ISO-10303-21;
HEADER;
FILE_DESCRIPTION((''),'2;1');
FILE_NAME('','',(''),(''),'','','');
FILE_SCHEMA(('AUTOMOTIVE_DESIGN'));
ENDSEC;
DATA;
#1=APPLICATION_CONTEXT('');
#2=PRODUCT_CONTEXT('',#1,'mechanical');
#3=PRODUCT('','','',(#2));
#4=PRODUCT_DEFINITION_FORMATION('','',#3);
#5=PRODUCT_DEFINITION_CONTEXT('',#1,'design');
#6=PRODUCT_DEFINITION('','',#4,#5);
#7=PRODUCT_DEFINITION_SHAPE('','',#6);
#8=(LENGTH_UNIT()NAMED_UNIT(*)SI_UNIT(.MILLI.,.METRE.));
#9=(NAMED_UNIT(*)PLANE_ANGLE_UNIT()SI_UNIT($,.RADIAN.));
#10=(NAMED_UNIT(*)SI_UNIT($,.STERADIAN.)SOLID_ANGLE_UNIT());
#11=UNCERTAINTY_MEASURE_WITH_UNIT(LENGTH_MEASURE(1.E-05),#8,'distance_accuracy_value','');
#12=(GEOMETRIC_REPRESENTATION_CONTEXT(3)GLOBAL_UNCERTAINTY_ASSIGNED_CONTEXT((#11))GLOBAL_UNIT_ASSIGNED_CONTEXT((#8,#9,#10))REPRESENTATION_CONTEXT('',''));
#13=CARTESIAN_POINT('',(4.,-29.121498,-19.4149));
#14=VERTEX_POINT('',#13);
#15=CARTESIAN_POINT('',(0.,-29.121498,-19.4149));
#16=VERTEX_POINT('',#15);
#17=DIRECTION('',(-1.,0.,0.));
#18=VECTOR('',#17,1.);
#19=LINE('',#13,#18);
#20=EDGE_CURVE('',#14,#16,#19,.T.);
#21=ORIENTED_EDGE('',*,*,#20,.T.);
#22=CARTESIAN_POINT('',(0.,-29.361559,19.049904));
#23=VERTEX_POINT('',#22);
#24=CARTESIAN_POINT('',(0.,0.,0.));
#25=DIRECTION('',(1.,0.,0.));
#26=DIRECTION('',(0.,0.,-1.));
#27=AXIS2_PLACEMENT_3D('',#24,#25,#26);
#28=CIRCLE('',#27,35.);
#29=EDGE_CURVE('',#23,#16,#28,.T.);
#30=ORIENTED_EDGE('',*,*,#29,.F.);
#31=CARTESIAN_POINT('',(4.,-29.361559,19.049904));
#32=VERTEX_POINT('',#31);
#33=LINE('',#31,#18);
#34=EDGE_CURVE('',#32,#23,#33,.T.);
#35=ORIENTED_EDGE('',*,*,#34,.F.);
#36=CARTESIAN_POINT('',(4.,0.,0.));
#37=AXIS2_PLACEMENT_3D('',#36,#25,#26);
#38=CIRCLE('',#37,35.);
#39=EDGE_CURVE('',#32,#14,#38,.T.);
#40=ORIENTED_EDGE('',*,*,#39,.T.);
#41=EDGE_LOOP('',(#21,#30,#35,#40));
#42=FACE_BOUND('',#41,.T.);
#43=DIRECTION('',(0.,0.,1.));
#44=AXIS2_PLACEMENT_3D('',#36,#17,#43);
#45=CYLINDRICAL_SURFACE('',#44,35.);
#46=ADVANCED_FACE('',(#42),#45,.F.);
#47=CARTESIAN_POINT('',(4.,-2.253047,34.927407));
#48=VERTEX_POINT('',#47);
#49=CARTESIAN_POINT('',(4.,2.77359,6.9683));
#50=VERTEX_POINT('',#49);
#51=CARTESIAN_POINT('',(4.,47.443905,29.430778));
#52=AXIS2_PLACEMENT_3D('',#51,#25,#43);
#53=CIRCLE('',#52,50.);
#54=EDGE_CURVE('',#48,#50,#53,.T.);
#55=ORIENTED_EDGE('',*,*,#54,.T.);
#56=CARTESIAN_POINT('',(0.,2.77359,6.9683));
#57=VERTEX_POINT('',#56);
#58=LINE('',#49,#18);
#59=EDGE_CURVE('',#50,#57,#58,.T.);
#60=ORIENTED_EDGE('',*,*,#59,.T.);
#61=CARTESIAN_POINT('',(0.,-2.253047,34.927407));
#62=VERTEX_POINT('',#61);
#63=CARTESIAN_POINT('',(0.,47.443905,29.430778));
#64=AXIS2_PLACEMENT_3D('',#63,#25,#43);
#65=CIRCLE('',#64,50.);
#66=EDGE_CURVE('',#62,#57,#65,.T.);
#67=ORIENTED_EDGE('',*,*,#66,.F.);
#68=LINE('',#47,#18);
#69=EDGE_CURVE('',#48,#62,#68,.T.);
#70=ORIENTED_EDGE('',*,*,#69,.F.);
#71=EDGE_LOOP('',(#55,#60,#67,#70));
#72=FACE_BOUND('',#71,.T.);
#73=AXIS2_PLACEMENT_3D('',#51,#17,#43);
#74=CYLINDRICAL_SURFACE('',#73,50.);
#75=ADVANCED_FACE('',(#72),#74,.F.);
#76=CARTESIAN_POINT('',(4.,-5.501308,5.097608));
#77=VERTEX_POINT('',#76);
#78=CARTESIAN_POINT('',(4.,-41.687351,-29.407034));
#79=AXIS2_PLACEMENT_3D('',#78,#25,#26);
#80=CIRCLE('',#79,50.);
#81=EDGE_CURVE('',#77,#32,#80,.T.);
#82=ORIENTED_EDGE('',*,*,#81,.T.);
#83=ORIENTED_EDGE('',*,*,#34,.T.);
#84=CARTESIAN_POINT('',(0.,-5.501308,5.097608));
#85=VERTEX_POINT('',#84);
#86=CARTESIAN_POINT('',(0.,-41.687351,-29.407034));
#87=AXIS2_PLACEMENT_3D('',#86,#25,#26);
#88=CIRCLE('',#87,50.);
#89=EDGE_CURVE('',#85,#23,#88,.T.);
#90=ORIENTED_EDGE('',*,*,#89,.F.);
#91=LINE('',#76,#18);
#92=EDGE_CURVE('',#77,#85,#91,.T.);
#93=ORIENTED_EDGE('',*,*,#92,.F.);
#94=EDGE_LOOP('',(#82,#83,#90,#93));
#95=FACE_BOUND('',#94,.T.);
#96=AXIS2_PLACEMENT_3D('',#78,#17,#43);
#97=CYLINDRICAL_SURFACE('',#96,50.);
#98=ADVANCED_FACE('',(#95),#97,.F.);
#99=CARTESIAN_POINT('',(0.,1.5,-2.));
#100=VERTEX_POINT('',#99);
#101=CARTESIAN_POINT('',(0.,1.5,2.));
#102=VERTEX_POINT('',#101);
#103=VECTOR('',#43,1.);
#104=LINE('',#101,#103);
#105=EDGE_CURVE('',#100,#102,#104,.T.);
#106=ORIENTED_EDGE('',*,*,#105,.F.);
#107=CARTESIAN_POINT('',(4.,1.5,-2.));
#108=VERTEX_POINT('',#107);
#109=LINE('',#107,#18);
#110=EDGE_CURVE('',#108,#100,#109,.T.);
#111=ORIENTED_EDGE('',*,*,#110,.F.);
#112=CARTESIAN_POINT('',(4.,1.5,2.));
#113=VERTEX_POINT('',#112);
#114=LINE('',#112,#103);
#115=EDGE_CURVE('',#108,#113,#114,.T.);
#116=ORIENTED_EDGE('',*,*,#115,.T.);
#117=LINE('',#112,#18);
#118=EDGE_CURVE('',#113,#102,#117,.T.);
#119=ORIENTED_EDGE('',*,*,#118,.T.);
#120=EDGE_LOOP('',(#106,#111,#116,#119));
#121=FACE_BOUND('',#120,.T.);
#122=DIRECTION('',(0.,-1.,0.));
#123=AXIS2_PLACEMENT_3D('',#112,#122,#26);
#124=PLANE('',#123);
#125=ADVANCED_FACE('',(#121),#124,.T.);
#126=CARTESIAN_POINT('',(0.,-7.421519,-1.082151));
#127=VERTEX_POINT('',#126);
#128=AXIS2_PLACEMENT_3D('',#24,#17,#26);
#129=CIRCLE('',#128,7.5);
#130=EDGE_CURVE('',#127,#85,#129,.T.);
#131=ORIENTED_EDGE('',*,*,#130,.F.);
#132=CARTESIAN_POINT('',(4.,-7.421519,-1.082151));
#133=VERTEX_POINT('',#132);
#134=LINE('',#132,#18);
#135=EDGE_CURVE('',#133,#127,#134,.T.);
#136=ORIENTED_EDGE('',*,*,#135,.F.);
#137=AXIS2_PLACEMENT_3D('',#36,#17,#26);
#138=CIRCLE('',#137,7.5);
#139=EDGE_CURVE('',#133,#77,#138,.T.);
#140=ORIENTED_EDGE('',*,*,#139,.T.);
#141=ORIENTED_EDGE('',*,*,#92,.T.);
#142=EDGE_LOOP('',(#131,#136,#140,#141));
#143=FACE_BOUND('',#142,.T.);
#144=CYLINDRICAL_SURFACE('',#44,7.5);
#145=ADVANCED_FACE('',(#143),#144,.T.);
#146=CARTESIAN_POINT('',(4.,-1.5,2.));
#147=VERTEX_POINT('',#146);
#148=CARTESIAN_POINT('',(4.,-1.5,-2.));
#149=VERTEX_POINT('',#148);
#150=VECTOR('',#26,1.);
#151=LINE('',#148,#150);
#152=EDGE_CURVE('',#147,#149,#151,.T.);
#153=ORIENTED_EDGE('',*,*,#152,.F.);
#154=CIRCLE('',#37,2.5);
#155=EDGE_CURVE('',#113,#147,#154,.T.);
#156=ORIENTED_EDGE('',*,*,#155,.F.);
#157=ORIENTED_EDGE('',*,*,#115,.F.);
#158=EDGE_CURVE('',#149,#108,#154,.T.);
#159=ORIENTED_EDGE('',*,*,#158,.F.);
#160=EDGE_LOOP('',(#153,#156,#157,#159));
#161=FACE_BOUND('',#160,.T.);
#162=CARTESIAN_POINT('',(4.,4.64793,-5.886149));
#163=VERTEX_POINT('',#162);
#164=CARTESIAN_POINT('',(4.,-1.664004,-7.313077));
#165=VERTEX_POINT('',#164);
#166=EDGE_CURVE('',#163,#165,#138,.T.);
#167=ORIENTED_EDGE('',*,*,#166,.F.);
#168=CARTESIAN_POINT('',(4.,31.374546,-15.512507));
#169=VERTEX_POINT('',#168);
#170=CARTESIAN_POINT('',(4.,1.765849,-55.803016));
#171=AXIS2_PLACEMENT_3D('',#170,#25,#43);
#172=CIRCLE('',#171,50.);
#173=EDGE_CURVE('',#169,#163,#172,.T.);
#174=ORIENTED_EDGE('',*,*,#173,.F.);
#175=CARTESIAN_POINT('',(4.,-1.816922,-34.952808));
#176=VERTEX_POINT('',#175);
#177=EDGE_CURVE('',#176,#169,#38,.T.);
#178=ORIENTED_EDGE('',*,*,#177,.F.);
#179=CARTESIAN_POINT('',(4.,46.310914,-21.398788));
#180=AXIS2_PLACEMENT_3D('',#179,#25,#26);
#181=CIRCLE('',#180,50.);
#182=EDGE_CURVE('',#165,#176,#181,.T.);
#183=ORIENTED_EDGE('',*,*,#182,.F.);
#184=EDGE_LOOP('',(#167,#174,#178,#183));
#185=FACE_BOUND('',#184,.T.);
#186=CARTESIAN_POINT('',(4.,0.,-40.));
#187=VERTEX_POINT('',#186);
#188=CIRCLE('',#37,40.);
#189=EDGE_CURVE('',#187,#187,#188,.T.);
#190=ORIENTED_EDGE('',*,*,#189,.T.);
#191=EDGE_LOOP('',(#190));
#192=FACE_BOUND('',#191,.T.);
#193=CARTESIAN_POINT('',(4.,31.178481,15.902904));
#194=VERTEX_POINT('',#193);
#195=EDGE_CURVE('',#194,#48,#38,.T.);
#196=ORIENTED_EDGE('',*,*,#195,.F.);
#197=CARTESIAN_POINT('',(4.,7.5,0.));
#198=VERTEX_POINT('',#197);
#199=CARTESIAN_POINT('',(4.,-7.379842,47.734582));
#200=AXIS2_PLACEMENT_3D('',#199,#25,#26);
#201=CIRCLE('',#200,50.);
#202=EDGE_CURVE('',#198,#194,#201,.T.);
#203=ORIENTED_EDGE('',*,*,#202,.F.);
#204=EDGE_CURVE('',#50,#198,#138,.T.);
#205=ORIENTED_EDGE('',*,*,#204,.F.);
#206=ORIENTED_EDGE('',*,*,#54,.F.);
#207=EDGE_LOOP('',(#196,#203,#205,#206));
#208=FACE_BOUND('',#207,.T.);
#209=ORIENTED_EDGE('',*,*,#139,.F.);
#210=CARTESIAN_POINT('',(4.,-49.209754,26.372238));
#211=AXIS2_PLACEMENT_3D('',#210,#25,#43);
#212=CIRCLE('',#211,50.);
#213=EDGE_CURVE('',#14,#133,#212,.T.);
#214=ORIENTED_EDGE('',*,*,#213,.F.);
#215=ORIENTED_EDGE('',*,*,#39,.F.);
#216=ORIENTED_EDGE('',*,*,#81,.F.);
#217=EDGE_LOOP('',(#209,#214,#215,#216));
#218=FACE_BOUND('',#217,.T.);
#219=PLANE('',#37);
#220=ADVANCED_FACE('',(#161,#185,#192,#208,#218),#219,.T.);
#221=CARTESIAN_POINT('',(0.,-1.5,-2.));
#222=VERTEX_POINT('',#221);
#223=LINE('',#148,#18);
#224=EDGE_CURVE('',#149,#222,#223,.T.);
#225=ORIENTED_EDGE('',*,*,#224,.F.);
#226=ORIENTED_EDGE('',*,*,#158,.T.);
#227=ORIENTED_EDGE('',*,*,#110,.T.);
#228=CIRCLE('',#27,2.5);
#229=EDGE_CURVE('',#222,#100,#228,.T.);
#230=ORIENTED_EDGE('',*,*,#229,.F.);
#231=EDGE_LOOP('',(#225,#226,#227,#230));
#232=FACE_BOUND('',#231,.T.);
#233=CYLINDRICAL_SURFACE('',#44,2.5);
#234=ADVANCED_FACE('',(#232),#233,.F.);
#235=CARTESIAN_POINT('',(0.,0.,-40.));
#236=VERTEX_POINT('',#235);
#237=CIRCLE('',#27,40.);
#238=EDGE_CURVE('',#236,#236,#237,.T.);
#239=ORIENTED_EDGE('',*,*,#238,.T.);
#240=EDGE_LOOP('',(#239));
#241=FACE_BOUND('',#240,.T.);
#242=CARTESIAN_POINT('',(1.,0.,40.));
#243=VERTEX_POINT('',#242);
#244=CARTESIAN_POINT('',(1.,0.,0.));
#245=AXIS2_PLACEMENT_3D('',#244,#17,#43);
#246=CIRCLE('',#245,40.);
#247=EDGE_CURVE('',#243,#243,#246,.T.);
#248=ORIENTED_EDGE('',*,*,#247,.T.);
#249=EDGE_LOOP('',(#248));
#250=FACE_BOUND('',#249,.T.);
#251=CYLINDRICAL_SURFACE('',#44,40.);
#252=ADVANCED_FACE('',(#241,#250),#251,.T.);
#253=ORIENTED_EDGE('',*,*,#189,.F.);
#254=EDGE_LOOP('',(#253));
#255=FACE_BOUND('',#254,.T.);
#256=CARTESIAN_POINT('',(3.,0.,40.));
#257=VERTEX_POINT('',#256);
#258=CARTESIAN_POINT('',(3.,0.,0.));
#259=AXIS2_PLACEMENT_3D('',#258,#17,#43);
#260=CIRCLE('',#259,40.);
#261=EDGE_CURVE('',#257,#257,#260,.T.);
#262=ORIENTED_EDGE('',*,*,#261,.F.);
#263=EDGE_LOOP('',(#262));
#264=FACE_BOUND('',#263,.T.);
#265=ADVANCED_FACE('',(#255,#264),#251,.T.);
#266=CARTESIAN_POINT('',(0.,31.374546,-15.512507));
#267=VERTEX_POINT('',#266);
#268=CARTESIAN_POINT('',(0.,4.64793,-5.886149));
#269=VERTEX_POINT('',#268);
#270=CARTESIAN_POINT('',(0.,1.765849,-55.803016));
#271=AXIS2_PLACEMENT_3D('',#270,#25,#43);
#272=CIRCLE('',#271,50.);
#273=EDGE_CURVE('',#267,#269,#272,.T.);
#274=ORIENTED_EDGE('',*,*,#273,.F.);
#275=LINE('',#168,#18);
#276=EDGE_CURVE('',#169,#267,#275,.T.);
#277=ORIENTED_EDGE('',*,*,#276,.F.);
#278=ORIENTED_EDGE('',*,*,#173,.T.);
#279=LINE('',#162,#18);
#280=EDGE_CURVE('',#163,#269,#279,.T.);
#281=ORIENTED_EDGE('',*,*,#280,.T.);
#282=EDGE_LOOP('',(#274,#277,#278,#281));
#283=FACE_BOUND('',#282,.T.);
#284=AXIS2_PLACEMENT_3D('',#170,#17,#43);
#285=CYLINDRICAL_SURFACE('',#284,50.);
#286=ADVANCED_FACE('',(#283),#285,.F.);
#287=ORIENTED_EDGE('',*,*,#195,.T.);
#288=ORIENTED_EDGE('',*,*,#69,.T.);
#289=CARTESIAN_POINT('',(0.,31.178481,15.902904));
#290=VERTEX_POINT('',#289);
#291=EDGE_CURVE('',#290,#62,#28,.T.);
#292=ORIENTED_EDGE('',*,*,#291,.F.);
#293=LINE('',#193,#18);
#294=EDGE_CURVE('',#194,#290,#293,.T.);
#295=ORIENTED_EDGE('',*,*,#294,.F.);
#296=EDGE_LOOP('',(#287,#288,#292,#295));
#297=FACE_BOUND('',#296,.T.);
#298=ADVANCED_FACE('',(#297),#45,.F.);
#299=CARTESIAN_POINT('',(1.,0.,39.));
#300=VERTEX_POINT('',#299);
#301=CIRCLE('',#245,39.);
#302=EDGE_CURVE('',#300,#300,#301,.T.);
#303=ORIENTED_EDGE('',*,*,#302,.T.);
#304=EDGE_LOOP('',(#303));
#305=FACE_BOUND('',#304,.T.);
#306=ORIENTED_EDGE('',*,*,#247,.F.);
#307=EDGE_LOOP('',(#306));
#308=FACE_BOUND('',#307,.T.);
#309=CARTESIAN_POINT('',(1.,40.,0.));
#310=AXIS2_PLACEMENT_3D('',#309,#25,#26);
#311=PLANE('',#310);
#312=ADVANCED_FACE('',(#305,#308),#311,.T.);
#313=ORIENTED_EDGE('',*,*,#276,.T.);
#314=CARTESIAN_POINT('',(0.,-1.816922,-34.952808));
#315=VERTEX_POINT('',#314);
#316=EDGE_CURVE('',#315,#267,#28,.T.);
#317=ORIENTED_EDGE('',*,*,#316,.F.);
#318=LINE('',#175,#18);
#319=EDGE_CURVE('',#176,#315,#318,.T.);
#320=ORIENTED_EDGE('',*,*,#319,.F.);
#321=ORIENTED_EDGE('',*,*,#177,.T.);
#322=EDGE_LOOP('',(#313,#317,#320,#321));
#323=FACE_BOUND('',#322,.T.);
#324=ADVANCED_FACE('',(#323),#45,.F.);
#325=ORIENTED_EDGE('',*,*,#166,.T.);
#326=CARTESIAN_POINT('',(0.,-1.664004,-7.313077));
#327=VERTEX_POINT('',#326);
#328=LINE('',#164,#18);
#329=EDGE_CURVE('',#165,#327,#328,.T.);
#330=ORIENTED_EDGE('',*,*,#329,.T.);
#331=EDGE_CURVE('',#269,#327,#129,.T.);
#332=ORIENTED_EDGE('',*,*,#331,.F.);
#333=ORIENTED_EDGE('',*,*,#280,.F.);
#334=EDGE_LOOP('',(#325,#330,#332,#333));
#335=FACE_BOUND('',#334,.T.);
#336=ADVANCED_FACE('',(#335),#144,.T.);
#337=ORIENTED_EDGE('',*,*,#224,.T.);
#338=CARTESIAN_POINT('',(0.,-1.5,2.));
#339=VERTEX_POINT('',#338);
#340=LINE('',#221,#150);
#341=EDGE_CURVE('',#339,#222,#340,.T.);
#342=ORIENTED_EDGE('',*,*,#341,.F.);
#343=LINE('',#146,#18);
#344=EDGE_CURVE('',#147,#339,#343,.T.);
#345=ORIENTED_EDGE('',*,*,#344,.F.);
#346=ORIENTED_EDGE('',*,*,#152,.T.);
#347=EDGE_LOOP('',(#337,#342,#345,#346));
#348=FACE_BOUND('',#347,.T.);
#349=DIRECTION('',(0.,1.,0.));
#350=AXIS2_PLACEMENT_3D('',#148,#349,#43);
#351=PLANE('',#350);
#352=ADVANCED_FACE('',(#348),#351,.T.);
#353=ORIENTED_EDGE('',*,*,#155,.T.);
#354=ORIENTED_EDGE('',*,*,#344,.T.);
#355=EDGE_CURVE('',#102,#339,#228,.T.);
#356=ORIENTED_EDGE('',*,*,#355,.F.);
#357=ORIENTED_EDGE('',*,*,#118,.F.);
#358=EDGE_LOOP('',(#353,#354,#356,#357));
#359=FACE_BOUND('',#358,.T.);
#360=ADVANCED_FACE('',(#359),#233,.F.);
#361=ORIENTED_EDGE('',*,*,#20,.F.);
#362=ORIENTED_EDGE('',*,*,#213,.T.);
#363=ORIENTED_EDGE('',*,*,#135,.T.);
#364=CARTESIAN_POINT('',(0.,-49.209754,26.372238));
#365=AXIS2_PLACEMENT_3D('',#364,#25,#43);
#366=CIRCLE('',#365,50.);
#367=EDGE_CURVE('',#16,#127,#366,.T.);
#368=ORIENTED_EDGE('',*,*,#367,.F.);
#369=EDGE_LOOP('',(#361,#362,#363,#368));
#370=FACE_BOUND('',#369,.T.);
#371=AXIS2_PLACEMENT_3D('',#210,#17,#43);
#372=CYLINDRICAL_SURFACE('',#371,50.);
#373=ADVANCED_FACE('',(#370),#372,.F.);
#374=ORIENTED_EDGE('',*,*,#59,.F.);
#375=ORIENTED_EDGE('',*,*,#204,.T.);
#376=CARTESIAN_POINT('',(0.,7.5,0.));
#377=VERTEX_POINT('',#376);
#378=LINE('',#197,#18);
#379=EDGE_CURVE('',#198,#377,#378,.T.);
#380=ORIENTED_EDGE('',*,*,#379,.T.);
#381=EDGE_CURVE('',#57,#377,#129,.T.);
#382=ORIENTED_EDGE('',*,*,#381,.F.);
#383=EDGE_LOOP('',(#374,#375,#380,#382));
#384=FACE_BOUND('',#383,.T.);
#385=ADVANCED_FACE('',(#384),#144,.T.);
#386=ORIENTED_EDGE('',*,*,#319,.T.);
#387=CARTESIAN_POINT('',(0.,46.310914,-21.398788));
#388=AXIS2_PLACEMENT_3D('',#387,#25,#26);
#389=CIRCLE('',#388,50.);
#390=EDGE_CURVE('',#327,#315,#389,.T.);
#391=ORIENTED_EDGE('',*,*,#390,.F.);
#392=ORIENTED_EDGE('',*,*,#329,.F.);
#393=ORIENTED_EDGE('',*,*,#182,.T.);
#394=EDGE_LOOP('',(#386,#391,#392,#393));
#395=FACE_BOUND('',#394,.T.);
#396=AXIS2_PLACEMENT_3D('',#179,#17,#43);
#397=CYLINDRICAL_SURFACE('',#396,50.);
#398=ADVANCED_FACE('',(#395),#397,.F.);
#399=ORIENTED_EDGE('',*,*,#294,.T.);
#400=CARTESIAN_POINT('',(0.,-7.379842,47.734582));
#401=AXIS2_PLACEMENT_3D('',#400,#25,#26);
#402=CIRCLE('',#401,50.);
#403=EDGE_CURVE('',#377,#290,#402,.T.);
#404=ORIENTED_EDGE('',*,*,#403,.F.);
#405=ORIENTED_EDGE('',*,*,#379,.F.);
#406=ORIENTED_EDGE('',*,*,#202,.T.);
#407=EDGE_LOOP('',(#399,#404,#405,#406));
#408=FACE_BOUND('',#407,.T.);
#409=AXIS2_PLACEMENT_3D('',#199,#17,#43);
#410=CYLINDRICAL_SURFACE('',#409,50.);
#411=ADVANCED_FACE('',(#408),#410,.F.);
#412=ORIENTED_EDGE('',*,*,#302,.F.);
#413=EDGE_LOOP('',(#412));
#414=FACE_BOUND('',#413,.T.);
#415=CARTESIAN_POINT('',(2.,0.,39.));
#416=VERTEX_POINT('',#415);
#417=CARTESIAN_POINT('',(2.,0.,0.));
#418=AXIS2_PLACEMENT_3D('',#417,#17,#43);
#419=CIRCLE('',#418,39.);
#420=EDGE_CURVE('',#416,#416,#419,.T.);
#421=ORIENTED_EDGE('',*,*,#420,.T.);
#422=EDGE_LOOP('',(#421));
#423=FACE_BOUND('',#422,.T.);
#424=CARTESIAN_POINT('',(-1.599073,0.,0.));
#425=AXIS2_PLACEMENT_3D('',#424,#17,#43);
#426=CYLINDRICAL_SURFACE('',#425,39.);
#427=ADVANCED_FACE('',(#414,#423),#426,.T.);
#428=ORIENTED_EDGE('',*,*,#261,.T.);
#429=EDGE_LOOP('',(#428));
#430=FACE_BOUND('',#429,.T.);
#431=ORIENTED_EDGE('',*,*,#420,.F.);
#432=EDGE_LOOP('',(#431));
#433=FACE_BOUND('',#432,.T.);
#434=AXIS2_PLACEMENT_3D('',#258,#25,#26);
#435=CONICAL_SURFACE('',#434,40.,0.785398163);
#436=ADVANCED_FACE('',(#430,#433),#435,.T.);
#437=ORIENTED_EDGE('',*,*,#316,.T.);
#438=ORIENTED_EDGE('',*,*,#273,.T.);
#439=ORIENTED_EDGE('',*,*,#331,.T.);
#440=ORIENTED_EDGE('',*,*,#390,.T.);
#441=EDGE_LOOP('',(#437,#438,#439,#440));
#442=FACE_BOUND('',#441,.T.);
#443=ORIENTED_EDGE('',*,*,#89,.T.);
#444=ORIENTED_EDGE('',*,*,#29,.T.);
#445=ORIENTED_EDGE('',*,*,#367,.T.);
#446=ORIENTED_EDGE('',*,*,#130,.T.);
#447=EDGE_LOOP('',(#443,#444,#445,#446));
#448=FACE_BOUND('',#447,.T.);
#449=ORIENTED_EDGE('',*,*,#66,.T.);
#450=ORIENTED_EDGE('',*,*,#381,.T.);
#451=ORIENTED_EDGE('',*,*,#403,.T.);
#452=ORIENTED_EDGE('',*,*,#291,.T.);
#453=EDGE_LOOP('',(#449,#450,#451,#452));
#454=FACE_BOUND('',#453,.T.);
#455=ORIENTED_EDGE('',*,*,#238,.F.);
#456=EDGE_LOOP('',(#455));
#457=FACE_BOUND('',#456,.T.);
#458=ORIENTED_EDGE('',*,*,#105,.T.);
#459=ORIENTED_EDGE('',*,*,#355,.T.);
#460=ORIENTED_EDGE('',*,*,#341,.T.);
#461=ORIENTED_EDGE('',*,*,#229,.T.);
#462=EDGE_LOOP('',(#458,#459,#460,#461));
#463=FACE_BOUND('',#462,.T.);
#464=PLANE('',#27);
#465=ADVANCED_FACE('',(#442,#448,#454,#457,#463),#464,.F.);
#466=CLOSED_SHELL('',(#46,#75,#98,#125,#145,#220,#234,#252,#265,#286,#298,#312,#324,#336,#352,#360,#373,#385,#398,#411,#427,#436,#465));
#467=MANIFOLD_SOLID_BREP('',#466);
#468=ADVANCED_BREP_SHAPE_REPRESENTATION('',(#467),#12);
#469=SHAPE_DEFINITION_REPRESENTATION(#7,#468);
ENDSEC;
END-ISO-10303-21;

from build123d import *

# Parameters (mm, degrees)
SKETCH2_R           = 40
BOSS_EXTRUDE1_DEPTH = 4
SKETCH3_W           = 2
SKETCH3_H           = 1


with BuildPart() as part:
    # Sketch2 → Boss-Extrude1 (new body)
    with BuildSketch(Plane(origin=(0, 0, 0), x_dir=(0, 0, -1), z_dir=(1, 0, 0))):
        Circle(SKETCH2_R)
        with BuildLine():
            Line((-2, 1.5), (2, 1.5))
            ThreePointArc((2, 1.5), (2.5, 0), (2, -1.5))
            Line((2, -1.5), (-2, -1.5))
            ThreePointArc((-2, -1.5), (-2.5, 0), (-2, 1.5))
        make_face(mode=Mode.SUBTRACT)
        with BuildLine():
            ThreePointArc((-15.90290373, 31.178480607), (-30.419515024, 17.310491203), (-34.927407255, -2.253047362))
            ThreePointArc((-34.927407255, -2.253047362), (-20.583361548, -1.767102241), (-6.968299733, 2.77358952))
            ThreePointArc((-6.968299733, 2.77358952), (-4.209992791, 6.206928443), (0, 7.5))
            ThreePointArc((0, 7.5), (-6.227172355, 20.497298183), (-15.90290373, 31.178480607))
        make_face(mode=Mode.SUBTRACT)
        with BuildLine():
            ThreePointArc((5.886148851, 4.64792983), (8.761325342, 18.709265117), (15.512507376, 31.374545653))
            ThreePointArc((15.512507376, 31.374545653), (30.201082646, 17.68882718), (34.952808122, -1.81692168))
            ThreePointArc((34.952808122, -1.81692168), (21.122165812, -3.688321149), (7.313076649, -1.664004186))
            ThreePointArc((7.313076649, -1.664004186), (7.315395834, 1.653778642), (5.886148851, 4.64792983))
        make_face(mode=Mode.SUBTRACT)
        with BuildLine():
            ThreePointArc((1.082150882, -7.42151935), (11.822036206, -16.942162875), (19.414899879, -29.12149829))
            ThreePointArc((19.414899879, -29.12149829), (0.218432378, -34.999318383), (-19.049904392, -29.361558927))
            ThreePointArc((-19.049904392, -29.361558927), (-13.755262718, -16.448171602), (-5.097608221, -5.501308065))
            ThreePointArc((-5.097608221, -5.501308065), (-2.2254836, -7.162207952), (1.082150882, -7.42151935))
        make_face(mode=Mode.SUBTRACT)
    extrude(amount=BOSS_EXTRUDE1_DEPTH)

    # Sketch3 → Cut-Revolve1 (revolve, cut)
    with BuildSketch(Plane.XY):
        with Locations((2, 39.5)):
            Rectangle(SKETCH3_W, SKETCH3_H)
    revolve(axis=Axis((-1.599073018, 0, 0), (1, 0, 0)), mode=Mode.SUBTRACT)

    # Sketch4 → Revolve1 (revolve)
    with BuildSketch(Plane.XY):
        Polygon((3, 40), (2, 39), (3, 39), align=None)
    revolve(axis=Axis((0, 0, 0), (1, 0, 0)))


solid = part.part
